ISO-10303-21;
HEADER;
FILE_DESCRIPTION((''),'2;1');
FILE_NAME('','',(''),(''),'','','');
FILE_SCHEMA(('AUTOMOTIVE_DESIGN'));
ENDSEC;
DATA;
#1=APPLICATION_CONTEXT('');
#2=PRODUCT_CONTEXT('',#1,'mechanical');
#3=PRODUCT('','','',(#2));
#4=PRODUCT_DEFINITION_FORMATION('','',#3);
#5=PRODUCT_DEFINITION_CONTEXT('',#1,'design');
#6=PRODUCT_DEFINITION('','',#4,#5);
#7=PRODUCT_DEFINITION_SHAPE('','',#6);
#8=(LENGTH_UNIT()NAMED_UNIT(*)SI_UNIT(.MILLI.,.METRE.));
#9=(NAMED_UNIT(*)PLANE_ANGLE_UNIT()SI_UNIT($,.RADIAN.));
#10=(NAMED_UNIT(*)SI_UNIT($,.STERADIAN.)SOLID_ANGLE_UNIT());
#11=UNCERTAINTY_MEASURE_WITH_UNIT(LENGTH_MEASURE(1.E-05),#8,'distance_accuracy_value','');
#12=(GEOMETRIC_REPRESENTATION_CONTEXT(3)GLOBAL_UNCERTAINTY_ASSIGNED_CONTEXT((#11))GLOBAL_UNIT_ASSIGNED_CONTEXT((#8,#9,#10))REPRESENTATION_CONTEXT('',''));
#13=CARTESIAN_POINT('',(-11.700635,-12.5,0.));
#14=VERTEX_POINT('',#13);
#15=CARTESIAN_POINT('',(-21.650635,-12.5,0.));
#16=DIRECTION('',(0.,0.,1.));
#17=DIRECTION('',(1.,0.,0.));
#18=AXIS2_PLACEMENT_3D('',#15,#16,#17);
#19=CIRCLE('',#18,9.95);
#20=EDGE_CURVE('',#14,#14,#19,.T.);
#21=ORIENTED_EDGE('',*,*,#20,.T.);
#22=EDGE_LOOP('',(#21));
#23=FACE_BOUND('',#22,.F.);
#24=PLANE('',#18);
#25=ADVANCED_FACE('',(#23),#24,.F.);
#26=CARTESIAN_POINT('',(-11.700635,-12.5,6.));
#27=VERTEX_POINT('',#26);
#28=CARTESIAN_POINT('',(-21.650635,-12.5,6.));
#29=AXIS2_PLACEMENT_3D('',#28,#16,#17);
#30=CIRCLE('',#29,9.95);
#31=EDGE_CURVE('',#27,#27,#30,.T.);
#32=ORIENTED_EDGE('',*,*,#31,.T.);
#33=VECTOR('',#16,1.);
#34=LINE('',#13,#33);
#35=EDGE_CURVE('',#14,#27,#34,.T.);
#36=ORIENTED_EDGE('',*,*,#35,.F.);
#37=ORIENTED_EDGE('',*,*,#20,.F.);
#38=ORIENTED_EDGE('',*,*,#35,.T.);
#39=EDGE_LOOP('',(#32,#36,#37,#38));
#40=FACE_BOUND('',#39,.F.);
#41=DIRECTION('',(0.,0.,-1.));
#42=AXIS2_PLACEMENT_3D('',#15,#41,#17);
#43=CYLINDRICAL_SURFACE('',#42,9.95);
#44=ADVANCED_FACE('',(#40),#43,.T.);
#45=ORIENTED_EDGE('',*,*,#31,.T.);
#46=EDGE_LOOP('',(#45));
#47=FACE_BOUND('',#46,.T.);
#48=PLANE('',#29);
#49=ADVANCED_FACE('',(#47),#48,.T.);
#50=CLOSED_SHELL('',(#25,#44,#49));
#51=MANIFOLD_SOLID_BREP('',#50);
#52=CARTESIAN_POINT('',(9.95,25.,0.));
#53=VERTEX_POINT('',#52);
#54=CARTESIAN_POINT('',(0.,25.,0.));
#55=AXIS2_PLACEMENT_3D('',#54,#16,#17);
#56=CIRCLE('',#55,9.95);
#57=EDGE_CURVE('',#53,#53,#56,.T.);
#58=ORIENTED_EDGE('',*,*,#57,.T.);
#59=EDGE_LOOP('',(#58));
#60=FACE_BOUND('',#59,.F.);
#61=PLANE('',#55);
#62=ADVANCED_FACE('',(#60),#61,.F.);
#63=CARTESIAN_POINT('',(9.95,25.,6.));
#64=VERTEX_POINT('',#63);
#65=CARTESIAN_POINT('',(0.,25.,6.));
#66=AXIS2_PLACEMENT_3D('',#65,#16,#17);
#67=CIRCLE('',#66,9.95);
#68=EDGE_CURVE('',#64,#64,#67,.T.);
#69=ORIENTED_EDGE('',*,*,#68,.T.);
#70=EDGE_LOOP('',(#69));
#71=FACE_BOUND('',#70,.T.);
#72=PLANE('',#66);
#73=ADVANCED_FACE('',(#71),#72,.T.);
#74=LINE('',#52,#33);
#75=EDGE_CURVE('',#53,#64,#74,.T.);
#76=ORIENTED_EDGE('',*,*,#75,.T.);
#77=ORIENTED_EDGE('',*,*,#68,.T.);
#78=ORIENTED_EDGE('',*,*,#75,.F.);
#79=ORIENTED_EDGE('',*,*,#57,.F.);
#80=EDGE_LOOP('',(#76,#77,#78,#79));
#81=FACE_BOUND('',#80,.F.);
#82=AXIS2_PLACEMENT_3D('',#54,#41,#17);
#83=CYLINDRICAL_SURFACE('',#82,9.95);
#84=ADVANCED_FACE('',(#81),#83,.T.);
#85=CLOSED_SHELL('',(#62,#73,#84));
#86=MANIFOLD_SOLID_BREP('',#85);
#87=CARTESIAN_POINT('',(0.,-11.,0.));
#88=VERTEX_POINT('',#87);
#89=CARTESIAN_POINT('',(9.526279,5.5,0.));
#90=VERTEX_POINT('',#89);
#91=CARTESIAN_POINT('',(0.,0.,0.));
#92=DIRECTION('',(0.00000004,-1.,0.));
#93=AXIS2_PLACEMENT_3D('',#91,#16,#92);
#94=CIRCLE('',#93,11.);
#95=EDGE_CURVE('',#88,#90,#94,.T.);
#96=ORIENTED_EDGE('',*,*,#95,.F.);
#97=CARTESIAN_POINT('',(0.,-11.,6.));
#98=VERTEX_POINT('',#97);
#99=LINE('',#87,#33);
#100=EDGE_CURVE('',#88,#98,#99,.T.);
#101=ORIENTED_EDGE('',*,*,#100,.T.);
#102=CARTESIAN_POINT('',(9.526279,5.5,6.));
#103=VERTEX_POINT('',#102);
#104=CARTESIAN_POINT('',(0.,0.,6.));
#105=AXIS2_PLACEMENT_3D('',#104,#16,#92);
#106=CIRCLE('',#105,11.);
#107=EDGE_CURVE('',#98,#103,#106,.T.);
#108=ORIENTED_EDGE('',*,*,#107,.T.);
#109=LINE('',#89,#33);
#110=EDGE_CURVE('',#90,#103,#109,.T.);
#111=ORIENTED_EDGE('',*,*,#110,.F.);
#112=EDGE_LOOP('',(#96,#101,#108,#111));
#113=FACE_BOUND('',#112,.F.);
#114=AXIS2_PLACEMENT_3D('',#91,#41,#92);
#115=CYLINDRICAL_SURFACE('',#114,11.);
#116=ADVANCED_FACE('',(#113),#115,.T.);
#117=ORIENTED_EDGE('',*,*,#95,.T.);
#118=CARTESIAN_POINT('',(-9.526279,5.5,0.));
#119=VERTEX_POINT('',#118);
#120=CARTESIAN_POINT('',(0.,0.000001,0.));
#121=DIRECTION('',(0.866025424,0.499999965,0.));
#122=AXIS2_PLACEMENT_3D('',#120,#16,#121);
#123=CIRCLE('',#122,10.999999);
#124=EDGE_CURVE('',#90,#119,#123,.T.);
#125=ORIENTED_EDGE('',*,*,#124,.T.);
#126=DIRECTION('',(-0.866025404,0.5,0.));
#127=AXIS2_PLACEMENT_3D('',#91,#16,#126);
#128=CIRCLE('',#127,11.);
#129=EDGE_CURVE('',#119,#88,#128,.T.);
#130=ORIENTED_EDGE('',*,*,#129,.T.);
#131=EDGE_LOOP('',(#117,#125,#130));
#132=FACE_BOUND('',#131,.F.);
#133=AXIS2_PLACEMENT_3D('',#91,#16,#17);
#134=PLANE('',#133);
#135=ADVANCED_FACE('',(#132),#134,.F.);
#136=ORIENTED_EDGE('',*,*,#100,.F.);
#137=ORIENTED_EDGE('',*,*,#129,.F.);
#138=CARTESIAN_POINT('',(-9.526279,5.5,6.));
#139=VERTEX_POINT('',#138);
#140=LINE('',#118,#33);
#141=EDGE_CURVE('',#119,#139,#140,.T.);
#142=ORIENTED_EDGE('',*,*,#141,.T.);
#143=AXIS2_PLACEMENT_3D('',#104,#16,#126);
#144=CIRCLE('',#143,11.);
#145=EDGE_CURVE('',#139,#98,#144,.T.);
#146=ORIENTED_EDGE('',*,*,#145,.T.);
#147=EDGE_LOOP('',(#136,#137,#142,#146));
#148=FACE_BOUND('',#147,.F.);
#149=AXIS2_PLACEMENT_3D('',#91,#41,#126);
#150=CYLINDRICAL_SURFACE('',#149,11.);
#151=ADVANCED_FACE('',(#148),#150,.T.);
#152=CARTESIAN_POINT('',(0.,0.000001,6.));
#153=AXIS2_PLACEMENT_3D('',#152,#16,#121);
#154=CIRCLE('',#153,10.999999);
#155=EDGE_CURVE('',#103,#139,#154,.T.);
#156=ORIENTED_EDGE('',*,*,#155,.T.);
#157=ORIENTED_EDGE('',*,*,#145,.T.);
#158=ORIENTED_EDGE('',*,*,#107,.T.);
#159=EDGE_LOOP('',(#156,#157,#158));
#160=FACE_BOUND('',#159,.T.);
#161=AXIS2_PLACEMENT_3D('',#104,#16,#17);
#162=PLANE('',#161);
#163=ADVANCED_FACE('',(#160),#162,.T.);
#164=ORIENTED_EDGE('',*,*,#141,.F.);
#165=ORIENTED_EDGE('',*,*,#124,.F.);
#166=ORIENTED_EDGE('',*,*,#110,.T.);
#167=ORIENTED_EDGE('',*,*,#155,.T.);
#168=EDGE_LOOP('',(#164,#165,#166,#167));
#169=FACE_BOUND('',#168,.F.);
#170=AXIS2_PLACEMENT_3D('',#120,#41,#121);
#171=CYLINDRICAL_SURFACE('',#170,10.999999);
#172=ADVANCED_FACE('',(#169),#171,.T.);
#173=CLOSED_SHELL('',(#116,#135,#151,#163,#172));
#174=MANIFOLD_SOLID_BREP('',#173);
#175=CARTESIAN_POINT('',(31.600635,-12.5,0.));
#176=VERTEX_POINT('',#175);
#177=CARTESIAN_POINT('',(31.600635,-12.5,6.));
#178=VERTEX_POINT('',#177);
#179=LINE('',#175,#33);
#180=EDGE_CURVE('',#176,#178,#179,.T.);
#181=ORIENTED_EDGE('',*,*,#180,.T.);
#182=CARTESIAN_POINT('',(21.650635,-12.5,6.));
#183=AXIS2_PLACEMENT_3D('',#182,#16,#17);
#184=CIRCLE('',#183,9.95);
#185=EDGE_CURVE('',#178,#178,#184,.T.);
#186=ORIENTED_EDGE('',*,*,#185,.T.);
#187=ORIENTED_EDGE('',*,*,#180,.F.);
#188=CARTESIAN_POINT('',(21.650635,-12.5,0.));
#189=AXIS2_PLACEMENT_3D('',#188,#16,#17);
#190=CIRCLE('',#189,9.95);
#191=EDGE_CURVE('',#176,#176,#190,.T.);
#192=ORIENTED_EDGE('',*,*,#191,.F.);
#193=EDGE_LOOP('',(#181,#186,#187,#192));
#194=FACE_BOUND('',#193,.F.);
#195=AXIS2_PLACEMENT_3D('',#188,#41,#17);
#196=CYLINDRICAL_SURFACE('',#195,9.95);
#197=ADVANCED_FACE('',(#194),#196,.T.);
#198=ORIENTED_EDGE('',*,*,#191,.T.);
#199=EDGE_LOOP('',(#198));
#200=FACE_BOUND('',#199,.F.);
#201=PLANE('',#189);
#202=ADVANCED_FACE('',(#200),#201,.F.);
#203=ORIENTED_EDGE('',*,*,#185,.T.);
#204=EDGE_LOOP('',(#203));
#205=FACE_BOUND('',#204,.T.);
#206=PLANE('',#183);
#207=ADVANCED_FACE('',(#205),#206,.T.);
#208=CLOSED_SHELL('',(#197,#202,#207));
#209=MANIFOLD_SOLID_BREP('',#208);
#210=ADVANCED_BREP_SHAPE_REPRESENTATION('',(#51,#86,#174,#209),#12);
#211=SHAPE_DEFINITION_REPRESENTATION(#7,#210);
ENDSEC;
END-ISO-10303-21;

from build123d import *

# Parameters (mm, degrees)
F0_R     = 9.95
F1_DEPTH = 6


with BuildPart() as f1:
    # F0 (on Top) → F1 (new body)
    with BuildSketch(Plane.XY):
        with BuildLine():
            ThreePointArc((0, -11), (9.526279, -5.5), (9.526279, 5.5))
            ThreePointArc((9.526279, 5.5), (0, 11), (-9.526279, 5.5))
            ThreePointArc((-9.526279, 5.5), (-9.526279, -5.5), (0, -11))
        make_face()
        with Locations((0, 25)):
            Circle(F0_R)
        with Locations((-21.650635, -12.5)):
            Circle(F0_R)
        with Locations((21.650635, -12.5)):
            Circle(F0_R)
    extrude(amount=F1_DEPTH)


solid = f1.part
